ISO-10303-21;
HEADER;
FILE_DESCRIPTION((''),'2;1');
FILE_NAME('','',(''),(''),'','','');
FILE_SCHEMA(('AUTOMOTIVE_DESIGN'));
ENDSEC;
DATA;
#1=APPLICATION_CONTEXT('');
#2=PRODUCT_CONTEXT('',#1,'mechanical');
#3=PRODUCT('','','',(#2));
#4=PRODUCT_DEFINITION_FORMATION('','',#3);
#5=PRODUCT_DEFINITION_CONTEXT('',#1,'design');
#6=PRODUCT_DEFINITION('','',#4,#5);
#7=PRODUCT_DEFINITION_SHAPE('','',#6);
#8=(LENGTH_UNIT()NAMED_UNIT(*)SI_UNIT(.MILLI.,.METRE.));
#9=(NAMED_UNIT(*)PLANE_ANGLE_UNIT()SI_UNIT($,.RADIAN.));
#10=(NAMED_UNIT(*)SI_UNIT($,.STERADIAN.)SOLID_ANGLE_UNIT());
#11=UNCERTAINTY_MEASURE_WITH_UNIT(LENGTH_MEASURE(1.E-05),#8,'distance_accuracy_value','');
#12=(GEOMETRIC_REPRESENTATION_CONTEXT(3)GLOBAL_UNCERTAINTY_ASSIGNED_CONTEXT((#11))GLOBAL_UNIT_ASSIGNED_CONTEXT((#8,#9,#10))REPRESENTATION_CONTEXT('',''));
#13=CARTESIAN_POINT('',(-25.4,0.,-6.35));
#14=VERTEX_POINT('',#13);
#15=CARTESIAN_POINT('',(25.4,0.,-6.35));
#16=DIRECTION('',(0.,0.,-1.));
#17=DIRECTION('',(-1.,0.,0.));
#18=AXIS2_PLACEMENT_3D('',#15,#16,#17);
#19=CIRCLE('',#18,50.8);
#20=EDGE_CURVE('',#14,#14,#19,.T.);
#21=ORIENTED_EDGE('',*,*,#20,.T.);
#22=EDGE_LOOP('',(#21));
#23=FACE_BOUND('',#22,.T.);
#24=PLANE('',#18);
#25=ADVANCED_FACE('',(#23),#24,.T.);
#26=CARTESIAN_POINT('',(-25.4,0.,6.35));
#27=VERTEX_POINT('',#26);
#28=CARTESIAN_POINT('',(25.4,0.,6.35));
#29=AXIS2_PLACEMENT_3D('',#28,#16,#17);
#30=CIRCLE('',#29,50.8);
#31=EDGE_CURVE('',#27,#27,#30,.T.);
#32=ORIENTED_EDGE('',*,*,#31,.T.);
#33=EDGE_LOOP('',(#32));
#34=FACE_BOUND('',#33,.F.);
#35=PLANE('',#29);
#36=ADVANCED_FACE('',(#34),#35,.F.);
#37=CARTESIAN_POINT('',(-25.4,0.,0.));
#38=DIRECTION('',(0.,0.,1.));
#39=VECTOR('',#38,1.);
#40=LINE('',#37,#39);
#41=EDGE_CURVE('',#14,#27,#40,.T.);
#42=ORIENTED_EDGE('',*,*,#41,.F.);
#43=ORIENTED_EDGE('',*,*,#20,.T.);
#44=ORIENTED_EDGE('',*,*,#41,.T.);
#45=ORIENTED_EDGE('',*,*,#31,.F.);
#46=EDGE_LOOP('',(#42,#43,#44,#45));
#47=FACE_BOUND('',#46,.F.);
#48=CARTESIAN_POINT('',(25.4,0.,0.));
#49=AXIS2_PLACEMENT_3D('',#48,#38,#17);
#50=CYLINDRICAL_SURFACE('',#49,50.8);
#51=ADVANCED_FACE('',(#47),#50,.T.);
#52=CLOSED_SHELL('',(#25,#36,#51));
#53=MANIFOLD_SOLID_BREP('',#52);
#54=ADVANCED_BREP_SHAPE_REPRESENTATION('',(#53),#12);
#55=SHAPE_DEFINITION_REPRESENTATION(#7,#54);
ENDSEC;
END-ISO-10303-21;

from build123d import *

# Parameters (mm, degrees)
F0_W = 50.8
F0_H = 12.7


with BuildPart() as f1:
    # F0 (on Front) → F1 (revolve)
    with BuildSketch(Plane.XZ):
        Rectangle(F0_W, F0_H)
    revolve(axis=Axis((25.4, 0, 0), (0, 0, -1)))


solid = f1.part
